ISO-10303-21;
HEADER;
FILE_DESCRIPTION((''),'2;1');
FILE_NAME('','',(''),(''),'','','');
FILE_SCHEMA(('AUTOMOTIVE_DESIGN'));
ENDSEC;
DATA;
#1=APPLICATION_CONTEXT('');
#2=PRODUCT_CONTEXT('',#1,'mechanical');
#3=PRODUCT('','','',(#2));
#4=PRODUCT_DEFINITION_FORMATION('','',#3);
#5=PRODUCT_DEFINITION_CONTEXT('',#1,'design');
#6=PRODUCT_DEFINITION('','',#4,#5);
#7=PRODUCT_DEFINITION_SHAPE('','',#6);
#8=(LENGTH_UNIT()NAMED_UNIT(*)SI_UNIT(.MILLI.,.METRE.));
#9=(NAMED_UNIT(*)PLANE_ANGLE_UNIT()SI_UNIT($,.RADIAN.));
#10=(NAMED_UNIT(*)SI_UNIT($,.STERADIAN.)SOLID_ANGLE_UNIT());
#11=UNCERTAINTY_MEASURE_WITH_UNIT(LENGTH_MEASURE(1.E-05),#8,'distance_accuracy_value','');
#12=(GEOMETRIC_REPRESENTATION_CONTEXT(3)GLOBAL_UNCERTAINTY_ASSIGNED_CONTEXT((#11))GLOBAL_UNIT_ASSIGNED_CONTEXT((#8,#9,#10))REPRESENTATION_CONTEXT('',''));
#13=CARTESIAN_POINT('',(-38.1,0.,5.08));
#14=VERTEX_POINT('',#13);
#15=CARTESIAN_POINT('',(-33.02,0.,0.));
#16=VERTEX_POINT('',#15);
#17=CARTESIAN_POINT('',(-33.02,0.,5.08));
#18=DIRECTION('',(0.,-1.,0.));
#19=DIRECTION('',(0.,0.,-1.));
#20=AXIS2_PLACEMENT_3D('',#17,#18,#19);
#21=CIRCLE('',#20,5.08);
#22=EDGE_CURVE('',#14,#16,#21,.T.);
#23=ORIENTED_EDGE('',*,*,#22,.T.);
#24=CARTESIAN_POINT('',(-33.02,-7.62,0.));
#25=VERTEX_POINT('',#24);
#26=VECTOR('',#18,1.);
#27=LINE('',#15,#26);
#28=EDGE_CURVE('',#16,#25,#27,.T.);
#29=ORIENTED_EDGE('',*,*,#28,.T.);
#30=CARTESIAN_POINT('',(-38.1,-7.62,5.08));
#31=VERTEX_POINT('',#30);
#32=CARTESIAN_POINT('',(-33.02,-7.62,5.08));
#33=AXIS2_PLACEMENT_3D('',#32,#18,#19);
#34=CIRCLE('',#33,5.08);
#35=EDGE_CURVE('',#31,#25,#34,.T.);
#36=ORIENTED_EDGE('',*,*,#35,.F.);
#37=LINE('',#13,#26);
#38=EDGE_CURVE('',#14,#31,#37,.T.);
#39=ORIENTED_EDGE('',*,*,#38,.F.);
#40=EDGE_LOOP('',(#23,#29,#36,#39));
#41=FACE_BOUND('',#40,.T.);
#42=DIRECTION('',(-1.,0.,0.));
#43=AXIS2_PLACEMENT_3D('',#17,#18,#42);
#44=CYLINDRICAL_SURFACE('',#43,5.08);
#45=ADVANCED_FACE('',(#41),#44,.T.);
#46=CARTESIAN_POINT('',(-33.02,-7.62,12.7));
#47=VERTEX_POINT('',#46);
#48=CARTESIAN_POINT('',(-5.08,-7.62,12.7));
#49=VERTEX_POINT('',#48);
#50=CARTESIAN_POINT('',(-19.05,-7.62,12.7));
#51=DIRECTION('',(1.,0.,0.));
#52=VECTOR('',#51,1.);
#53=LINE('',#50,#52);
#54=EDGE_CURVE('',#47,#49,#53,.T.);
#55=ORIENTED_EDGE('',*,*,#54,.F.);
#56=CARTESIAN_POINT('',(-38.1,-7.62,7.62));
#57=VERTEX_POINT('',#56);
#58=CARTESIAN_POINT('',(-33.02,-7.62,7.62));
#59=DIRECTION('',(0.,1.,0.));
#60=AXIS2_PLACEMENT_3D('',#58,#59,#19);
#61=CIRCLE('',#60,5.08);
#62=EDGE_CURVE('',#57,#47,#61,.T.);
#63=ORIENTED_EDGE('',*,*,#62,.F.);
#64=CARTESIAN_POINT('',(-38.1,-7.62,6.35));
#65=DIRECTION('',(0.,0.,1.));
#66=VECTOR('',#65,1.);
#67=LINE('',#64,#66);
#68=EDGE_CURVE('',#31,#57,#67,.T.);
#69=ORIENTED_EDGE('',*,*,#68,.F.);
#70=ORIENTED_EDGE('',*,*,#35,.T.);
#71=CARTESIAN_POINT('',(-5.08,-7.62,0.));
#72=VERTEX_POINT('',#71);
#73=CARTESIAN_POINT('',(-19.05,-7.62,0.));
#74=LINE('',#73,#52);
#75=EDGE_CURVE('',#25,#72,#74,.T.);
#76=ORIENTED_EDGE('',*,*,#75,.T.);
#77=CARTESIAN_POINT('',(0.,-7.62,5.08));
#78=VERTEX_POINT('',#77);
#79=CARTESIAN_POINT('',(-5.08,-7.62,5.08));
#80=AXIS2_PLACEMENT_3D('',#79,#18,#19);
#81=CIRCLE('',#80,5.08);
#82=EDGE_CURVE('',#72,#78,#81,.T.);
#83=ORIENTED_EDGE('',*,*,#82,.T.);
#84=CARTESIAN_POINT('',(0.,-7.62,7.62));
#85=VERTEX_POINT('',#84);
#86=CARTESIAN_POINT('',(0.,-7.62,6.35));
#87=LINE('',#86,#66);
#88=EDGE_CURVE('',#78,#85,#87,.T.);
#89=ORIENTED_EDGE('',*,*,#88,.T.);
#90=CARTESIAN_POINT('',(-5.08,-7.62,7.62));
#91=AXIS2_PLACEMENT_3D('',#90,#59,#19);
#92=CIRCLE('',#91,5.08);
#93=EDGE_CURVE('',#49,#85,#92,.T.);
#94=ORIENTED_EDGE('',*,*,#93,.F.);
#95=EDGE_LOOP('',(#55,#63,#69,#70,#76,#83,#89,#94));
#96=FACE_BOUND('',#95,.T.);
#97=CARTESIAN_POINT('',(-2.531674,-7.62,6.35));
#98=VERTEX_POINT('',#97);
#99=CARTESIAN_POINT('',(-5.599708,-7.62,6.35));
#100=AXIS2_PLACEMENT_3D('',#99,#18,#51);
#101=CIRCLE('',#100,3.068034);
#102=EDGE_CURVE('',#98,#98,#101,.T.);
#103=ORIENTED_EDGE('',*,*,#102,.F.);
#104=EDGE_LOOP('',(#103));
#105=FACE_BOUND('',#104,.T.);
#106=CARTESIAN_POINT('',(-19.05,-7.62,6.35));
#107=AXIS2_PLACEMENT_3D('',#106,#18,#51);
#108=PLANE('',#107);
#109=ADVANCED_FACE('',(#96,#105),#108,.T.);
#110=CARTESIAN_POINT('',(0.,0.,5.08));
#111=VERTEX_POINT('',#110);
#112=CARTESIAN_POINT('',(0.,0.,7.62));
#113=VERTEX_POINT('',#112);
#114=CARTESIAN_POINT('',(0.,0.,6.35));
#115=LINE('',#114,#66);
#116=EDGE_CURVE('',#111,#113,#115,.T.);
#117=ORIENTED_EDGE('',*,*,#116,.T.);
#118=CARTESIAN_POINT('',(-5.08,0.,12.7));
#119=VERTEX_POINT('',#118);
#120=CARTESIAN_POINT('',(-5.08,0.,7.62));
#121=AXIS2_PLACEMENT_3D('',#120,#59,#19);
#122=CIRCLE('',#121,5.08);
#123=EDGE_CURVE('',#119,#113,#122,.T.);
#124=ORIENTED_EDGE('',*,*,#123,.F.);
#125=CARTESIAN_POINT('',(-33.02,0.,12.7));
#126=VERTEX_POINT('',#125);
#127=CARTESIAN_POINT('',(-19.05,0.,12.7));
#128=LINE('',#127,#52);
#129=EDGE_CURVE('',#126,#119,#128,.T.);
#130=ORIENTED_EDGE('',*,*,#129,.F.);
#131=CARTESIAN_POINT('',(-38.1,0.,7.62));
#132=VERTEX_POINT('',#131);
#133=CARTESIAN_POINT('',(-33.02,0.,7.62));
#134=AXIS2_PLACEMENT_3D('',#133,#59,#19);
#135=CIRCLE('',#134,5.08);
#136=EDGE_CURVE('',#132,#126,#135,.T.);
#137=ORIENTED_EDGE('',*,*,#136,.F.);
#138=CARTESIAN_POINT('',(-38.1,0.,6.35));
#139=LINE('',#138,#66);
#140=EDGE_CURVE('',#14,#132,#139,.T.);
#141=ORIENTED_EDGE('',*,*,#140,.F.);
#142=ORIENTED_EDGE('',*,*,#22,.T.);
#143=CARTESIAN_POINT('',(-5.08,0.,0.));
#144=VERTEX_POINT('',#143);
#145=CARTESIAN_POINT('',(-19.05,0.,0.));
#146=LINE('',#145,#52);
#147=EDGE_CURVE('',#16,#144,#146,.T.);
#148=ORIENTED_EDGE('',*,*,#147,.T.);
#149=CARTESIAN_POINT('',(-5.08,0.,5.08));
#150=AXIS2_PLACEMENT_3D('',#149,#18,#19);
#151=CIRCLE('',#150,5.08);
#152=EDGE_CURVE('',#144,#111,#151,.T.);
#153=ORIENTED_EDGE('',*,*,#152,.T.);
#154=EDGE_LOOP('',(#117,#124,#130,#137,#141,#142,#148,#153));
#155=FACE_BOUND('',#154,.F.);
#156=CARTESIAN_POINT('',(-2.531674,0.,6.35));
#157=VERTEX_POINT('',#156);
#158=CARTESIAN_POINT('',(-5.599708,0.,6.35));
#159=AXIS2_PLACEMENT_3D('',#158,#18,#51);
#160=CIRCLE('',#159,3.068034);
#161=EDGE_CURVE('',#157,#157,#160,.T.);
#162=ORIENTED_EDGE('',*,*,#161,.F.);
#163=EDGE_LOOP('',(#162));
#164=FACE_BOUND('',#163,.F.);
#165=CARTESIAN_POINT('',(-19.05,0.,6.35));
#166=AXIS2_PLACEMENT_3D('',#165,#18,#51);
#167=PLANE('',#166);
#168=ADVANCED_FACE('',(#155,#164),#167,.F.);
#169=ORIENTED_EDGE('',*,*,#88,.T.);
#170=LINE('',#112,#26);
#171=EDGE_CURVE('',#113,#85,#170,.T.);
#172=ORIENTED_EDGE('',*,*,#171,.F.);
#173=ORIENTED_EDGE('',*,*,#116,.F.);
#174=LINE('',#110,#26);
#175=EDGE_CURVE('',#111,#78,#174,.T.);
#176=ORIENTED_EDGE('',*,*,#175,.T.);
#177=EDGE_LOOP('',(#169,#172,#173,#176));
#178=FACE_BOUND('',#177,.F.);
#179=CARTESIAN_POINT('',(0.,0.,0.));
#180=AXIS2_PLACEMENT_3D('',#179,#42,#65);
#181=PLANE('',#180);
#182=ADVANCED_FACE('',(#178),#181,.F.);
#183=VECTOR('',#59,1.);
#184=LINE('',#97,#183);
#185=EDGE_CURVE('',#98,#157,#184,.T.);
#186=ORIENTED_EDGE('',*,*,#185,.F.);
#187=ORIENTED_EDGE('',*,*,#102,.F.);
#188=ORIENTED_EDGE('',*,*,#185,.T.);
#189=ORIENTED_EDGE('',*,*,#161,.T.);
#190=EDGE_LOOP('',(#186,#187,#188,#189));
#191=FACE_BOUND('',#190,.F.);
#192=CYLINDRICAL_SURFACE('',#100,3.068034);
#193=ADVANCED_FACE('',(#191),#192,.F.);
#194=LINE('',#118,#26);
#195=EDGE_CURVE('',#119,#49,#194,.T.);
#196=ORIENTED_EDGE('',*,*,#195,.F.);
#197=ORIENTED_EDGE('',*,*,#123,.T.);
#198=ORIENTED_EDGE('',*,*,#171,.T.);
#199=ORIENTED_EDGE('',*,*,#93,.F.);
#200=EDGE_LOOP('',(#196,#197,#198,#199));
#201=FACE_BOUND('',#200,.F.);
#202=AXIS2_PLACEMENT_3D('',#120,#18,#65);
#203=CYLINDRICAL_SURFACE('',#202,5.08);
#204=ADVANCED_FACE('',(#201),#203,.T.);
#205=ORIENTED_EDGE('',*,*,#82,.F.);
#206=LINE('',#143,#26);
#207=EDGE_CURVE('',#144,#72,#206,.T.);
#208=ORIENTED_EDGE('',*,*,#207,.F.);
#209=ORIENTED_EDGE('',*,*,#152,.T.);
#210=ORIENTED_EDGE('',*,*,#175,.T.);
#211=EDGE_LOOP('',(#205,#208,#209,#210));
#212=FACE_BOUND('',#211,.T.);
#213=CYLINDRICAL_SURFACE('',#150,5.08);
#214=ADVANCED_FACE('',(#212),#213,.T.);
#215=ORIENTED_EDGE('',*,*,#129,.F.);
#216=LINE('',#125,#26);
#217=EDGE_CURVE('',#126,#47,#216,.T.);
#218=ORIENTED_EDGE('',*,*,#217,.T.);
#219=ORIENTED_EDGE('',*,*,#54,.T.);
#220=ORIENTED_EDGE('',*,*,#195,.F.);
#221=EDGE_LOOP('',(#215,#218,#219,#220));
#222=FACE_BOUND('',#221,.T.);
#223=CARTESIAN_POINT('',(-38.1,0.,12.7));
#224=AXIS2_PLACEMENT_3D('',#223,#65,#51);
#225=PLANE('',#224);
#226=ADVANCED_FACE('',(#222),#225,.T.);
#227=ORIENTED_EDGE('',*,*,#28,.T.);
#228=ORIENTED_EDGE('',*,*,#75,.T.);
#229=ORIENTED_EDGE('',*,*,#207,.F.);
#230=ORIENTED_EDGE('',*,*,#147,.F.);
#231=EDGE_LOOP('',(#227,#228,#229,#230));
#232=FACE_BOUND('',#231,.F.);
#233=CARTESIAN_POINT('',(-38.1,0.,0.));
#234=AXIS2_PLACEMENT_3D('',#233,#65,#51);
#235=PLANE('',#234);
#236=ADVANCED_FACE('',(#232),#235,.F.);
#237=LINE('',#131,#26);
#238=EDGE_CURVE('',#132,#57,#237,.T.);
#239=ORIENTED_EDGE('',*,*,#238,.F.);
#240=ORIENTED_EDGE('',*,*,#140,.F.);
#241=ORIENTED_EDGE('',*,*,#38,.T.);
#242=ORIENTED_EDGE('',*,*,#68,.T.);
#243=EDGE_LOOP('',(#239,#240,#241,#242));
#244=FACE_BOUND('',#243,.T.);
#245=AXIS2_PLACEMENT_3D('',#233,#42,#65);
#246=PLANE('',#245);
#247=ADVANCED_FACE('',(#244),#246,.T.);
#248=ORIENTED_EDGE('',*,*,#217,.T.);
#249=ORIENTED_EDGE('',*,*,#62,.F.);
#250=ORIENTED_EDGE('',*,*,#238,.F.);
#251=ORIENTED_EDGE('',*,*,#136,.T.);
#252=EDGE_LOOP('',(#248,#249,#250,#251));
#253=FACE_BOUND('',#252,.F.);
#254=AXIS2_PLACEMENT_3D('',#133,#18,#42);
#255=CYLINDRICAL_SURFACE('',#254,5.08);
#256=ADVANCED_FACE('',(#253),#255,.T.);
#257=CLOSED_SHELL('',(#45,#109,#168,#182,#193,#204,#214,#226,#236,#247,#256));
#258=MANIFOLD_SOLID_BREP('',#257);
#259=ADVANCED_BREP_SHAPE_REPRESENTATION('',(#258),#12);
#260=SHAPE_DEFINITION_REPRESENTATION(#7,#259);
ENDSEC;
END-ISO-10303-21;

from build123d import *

# Parameters (mm, degrees)
F0_W     = 38.1
F0_H     = 12.7
F1_DEPTH = 7.62
F2_R     = 3.068034
F3_DEPTH = 7.621
F4_R     = 5.08


with BuildPart() as f1:
    # F0 (on Front) → F1 (new body)
    with BuildSketch(Plane.XZ):
        with Locations((-19.05, 6.35)):
            Rectangle(F0_W, F0_H)
    extrude(amount=F1_DEPTH)

    # F2 (on face) → F3 (cut, through all)
    with BuildSketch(Plane.XZ.offset(7.62)):
        with Locations((-5.599708, 6.35)):
            Circle(F2_R)
    extrude(amount=-F3_DEPTH, mode=Mode.SUBTRACT)

    # F4
    f4_edges = [f1.edges().sort_by_distance(p)[0] for p in [
        (0, -3.81, 12.7),
        (0, -3.81, 0),
        (-38.1, -3.81, 12.7),
        (-38.1, -3.81, 0),
    ]]
    fillet(f4_edges, radius=F4_R)


solid = f1.part
